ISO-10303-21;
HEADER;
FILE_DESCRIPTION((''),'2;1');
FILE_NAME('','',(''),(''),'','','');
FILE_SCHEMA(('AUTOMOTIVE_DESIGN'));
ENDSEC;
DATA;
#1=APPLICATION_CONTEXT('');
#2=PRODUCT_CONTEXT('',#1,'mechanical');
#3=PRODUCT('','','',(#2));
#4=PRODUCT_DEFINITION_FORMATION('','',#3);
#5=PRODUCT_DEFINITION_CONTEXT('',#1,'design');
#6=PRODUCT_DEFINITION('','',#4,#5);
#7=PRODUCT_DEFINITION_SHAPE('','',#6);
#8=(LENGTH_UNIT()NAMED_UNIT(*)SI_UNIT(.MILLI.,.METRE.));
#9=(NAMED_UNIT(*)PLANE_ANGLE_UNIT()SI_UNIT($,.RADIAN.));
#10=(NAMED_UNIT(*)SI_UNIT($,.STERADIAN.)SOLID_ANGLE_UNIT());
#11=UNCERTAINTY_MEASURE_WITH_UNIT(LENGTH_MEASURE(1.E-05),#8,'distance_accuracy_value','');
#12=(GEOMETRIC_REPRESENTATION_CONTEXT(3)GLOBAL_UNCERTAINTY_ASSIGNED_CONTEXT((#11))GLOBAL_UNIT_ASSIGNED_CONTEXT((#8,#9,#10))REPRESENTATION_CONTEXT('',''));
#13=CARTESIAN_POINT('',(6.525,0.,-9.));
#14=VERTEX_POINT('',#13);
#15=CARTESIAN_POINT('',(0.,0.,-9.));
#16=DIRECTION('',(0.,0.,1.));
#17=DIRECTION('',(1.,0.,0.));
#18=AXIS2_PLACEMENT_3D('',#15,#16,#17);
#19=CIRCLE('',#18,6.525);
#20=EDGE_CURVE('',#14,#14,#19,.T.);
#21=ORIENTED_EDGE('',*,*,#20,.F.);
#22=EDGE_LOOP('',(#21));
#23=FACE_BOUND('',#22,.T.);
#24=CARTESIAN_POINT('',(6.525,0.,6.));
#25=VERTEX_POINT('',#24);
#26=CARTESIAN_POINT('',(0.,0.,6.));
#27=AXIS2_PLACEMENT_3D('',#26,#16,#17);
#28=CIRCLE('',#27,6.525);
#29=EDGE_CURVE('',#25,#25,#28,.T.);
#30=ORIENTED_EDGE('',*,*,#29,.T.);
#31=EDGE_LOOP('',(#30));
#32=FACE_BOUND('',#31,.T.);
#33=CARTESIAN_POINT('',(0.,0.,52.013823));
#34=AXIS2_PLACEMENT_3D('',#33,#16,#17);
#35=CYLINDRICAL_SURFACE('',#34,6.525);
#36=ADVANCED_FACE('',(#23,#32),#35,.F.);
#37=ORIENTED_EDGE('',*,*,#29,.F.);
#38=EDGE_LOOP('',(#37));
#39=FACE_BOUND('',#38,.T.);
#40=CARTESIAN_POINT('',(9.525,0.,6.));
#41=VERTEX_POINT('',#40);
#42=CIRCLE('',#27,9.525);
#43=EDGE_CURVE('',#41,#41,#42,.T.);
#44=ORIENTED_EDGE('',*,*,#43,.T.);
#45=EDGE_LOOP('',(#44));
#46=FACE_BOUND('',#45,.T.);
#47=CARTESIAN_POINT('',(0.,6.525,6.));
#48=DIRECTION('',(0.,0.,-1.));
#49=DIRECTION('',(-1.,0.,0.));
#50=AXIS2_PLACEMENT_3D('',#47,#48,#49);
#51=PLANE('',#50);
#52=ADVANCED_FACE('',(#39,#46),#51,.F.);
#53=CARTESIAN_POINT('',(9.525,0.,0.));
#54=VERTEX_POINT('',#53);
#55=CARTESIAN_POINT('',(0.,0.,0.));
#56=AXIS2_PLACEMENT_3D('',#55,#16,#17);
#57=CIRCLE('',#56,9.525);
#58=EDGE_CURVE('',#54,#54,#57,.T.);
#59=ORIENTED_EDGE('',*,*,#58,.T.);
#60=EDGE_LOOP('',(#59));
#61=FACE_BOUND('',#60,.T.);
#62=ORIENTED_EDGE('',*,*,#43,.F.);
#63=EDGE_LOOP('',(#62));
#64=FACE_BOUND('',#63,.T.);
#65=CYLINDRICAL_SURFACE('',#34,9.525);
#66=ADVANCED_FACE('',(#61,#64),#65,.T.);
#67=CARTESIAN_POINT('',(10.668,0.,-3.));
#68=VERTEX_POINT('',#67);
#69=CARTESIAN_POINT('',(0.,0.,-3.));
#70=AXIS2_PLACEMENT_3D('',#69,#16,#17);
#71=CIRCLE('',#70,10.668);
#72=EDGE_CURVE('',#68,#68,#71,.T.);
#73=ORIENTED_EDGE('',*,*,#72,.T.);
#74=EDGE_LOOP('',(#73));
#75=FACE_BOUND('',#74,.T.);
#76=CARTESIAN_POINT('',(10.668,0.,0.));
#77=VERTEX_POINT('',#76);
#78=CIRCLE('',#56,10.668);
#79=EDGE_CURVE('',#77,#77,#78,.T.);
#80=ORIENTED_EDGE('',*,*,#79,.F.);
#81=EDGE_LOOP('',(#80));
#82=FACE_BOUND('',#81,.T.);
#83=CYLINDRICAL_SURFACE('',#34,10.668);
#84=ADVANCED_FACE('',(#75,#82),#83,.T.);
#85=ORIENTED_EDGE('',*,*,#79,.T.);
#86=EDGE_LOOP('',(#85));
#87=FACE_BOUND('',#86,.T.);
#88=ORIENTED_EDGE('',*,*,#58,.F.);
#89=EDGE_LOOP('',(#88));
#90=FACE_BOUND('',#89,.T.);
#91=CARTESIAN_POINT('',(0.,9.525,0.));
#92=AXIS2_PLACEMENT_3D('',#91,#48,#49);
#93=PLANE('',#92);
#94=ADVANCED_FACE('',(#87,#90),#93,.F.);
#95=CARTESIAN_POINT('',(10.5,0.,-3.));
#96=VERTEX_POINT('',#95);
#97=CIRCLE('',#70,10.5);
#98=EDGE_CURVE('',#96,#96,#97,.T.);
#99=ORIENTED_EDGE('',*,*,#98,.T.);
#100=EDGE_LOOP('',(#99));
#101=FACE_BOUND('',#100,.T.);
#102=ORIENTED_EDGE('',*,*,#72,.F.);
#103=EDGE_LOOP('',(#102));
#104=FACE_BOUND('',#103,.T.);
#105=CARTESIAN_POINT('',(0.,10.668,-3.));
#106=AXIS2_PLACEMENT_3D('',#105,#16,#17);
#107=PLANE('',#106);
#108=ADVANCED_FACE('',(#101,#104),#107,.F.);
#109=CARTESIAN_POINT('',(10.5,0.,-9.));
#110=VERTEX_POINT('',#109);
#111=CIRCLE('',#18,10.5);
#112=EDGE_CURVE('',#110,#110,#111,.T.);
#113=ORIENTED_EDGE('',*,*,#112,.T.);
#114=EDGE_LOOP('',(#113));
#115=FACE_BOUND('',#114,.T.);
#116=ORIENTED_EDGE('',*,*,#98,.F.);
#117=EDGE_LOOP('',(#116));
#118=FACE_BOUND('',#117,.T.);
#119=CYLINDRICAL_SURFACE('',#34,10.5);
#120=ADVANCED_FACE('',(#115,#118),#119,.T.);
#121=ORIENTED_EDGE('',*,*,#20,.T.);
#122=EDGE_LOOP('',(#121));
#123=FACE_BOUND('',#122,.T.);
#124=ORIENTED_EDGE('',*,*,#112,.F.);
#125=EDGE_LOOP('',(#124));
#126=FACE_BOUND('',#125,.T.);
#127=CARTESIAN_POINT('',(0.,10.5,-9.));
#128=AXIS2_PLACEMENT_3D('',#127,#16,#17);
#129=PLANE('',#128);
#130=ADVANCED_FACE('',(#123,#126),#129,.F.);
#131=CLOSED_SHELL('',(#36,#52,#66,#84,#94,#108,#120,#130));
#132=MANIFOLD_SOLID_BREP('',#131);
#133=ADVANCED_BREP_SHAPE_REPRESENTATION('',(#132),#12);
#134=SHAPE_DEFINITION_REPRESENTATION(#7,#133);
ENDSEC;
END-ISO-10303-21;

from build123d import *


with BuildPart() as part:
    # Sketch1 → Revolve1 (revolve)
    with BuildSketch(Plane(origin=(0, 0, 0), x_dir=(0, 0, -1), z_dir=(1, 0, 0))):
        Polygon((-6, 6.525), (-6, 9.525), (0, 9.525), (0, 10.668), (3, 10.668), (3, 10.5), (9, 10.5), (9, 6.525), align=None)
    revolve(axis=Axis((0, 0, 52.013823065), (0, 0, -1)))


solid = part.part
